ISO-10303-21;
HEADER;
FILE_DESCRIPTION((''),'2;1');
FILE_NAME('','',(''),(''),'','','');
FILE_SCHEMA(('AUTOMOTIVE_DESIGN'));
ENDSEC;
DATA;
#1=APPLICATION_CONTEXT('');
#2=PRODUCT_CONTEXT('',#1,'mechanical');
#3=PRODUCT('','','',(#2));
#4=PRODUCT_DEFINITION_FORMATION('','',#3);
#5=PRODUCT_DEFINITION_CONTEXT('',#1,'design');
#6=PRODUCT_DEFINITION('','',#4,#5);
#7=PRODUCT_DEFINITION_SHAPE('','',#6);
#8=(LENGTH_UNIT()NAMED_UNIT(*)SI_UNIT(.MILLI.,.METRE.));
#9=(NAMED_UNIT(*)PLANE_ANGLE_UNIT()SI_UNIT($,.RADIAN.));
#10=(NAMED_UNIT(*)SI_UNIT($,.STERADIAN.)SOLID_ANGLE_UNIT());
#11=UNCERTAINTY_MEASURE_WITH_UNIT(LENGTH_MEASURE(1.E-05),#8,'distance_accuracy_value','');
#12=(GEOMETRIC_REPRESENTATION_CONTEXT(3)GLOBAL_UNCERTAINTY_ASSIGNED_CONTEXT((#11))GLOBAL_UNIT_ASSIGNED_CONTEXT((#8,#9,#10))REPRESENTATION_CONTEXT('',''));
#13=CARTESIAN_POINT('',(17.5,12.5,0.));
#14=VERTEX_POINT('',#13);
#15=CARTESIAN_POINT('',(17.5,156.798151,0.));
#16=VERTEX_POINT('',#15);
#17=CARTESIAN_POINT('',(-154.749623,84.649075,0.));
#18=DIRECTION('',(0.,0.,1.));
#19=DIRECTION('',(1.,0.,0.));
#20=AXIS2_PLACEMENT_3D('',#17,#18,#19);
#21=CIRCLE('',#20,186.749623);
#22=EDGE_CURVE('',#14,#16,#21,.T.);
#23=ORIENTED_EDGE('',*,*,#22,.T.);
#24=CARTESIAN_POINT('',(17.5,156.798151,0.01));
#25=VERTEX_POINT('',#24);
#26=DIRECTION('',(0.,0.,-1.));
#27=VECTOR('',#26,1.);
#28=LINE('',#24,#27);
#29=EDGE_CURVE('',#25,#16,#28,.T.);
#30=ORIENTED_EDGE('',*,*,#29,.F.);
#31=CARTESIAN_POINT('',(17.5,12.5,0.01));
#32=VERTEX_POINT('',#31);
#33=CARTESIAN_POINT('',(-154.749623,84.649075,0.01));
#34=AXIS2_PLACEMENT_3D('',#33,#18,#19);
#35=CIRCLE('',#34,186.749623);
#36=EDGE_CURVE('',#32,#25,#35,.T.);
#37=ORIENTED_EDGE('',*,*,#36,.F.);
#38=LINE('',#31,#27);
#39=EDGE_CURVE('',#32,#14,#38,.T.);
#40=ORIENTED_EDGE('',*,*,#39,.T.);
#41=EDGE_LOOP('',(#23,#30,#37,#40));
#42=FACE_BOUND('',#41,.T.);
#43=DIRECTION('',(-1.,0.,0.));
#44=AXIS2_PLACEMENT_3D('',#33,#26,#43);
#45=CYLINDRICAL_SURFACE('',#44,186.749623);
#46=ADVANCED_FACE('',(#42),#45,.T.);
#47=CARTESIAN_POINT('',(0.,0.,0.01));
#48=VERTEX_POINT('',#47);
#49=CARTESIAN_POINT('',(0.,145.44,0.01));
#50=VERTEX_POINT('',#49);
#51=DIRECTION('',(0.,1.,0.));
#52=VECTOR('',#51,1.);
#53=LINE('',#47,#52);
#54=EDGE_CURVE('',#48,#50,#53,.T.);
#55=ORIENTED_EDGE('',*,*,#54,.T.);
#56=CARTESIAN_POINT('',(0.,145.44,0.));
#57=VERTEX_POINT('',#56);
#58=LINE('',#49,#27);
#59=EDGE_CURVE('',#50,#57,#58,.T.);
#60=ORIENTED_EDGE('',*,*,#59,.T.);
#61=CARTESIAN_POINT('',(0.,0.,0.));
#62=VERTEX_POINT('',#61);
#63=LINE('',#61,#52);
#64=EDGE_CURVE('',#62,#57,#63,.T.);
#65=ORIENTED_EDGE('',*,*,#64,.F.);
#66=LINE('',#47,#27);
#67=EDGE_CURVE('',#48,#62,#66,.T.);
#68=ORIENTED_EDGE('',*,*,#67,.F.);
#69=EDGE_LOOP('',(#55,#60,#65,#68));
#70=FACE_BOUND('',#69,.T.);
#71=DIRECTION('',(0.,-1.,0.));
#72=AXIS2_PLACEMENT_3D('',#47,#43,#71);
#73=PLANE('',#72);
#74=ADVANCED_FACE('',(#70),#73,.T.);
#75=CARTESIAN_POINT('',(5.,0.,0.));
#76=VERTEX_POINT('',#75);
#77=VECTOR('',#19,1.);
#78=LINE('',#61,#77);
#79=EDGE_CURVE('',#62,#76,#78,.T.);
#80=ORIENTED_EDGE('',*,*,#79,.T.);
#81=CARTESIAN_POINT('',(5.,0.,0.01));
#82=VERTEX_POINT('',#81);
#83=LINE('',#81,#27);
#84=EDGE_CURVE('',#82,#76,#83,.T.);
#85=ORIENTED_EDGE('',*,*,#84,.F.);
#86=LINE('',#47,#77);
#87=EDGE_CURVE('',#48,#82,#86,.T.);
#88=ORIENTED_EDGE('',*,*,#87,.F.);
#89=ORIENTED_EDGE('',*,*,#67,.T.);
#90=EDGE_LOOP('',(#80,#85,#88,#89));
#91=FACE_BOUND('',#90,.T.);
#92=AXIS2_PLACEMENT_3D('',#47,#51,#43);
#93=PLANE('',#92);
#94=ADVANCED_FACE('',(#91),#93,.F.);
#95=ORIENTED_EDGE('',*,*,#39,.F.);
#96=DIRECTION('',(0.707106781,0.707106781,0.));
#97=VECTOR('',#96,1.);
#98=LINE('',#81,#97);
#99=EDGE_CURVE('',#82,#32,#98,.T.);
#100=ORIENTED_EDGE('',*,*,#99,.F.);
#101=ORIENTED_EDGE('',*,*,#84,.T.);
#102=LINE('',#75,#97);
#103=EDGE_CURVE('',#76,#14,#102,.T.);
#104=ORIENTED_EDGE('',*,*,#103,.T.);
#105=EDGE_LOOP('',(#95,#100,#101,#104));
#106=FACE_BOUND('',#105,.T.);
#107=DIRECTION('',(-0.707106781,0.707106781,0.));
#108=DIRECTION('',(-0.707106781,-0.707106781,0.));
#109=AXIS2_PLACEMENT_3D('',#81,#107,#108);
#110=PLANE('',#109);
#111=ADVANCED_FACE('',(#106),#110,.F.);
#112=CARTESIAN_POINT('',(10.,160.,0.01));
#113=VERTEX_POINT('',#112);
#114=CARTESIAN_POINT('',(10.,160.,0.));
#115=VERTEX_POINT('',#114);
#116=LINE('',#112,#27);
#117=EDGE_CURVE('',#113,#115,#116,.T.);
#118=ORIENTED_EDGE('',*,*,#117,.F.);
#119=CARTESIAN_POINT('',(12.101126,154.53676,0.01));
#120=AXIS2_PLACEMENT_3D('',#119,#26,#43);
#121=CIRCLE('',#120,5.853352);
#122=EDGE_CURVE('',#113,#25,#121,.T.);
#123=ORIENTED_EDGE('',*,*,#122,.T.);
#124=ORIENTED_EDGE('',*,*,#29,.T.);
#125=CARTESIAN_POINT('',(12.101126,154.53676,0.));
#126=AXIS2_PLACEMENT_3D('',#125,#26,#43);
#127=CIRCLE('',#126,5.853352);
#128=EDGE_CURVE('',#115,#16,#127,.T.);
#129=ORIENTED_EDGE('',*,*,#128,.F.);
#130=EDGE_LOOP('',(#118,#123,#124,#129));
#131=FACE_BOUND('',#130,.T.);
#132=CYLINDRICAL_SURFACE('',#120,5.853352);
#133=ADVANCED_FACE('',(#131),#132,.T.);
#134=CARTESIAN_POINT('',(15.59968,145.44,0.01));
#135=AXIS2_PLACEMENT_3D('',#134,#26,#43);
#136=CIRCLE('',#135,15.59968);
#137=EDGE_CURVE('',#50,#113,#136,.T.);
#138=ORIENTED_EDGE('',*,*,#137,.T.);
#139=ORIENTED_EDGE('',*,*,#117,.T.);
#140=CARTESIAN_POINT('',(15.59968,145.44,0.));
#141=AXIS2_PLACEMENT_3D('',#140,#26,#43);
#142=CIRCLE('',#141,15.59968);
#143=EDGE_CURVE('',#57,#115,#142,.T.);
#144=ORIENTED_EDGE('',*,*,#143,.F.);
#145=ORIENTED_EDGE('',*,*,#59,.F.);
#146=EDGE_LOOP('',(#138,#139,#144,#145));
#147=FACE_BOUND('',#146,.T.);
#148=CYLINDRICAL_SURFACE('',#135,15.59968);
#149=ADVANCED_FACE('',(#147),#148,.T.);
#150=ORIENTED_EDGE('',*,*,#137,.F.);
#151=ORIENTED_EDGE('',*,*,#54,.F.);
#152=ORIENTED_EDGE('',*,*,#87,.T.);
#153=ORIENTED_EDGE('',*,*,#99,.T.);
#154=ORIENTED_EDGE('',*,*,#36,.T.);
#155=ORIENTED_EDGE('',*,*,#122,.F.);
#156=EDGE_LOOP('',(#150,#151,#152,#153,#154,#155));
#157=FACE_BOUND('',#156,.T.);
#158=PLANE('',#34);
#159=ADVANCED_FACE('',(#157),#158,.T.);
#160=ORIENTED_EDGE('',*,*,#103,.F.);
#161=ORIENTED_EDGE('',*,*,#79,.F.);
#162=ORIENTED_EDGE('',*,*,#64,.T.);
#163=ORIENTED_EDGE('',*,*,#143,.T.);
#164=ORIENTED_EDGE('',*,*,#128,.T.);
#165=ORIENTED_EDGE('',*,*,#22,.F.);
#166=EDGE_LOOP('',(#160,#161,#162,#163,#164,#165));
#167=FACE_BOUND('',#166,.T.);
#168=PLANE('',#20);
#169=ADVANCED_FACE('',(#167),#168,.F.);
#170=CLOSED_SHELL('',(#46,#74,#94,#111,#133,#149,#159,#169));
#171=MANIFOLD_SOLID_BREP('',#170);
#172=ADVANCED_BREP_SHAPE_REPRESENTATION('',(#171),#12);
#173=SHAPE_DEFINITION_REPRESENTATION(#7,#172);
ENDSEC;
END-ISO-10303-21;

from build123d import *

# Parameters (mm, degrees)
BOSS_EXTRUDE1_DEPTH = 0.01


with BuildPart() as part:
    # Sketch1 → Boss-Extrude1 (new body)
    with BuildSketch(Plane(origin=(0, 0, 0), x_dir=(0, 1, 0), z_dir=(0, 0, 1))):
        with BuildLine():
            Line((0, 0), (145.44, 0))
            ThreePointArc((145.44, 0), (154.271670284, -2.740768067), (160, -10))
            ThreePointArc((160, -10), (159.920065515, -14.399330878), (156.798150608, -17.5))
            ThreePointArc((156.798150608, -17.5), (84.649075304, -32), (12.5, -17.5))
            Line((12.5, -17.5), (0, -5))
            Line((0, -5), (0, 0))
        make_face()
    extrude(amount=BOSS_EXTRUDE1_DEPTH)


solid = part.part
